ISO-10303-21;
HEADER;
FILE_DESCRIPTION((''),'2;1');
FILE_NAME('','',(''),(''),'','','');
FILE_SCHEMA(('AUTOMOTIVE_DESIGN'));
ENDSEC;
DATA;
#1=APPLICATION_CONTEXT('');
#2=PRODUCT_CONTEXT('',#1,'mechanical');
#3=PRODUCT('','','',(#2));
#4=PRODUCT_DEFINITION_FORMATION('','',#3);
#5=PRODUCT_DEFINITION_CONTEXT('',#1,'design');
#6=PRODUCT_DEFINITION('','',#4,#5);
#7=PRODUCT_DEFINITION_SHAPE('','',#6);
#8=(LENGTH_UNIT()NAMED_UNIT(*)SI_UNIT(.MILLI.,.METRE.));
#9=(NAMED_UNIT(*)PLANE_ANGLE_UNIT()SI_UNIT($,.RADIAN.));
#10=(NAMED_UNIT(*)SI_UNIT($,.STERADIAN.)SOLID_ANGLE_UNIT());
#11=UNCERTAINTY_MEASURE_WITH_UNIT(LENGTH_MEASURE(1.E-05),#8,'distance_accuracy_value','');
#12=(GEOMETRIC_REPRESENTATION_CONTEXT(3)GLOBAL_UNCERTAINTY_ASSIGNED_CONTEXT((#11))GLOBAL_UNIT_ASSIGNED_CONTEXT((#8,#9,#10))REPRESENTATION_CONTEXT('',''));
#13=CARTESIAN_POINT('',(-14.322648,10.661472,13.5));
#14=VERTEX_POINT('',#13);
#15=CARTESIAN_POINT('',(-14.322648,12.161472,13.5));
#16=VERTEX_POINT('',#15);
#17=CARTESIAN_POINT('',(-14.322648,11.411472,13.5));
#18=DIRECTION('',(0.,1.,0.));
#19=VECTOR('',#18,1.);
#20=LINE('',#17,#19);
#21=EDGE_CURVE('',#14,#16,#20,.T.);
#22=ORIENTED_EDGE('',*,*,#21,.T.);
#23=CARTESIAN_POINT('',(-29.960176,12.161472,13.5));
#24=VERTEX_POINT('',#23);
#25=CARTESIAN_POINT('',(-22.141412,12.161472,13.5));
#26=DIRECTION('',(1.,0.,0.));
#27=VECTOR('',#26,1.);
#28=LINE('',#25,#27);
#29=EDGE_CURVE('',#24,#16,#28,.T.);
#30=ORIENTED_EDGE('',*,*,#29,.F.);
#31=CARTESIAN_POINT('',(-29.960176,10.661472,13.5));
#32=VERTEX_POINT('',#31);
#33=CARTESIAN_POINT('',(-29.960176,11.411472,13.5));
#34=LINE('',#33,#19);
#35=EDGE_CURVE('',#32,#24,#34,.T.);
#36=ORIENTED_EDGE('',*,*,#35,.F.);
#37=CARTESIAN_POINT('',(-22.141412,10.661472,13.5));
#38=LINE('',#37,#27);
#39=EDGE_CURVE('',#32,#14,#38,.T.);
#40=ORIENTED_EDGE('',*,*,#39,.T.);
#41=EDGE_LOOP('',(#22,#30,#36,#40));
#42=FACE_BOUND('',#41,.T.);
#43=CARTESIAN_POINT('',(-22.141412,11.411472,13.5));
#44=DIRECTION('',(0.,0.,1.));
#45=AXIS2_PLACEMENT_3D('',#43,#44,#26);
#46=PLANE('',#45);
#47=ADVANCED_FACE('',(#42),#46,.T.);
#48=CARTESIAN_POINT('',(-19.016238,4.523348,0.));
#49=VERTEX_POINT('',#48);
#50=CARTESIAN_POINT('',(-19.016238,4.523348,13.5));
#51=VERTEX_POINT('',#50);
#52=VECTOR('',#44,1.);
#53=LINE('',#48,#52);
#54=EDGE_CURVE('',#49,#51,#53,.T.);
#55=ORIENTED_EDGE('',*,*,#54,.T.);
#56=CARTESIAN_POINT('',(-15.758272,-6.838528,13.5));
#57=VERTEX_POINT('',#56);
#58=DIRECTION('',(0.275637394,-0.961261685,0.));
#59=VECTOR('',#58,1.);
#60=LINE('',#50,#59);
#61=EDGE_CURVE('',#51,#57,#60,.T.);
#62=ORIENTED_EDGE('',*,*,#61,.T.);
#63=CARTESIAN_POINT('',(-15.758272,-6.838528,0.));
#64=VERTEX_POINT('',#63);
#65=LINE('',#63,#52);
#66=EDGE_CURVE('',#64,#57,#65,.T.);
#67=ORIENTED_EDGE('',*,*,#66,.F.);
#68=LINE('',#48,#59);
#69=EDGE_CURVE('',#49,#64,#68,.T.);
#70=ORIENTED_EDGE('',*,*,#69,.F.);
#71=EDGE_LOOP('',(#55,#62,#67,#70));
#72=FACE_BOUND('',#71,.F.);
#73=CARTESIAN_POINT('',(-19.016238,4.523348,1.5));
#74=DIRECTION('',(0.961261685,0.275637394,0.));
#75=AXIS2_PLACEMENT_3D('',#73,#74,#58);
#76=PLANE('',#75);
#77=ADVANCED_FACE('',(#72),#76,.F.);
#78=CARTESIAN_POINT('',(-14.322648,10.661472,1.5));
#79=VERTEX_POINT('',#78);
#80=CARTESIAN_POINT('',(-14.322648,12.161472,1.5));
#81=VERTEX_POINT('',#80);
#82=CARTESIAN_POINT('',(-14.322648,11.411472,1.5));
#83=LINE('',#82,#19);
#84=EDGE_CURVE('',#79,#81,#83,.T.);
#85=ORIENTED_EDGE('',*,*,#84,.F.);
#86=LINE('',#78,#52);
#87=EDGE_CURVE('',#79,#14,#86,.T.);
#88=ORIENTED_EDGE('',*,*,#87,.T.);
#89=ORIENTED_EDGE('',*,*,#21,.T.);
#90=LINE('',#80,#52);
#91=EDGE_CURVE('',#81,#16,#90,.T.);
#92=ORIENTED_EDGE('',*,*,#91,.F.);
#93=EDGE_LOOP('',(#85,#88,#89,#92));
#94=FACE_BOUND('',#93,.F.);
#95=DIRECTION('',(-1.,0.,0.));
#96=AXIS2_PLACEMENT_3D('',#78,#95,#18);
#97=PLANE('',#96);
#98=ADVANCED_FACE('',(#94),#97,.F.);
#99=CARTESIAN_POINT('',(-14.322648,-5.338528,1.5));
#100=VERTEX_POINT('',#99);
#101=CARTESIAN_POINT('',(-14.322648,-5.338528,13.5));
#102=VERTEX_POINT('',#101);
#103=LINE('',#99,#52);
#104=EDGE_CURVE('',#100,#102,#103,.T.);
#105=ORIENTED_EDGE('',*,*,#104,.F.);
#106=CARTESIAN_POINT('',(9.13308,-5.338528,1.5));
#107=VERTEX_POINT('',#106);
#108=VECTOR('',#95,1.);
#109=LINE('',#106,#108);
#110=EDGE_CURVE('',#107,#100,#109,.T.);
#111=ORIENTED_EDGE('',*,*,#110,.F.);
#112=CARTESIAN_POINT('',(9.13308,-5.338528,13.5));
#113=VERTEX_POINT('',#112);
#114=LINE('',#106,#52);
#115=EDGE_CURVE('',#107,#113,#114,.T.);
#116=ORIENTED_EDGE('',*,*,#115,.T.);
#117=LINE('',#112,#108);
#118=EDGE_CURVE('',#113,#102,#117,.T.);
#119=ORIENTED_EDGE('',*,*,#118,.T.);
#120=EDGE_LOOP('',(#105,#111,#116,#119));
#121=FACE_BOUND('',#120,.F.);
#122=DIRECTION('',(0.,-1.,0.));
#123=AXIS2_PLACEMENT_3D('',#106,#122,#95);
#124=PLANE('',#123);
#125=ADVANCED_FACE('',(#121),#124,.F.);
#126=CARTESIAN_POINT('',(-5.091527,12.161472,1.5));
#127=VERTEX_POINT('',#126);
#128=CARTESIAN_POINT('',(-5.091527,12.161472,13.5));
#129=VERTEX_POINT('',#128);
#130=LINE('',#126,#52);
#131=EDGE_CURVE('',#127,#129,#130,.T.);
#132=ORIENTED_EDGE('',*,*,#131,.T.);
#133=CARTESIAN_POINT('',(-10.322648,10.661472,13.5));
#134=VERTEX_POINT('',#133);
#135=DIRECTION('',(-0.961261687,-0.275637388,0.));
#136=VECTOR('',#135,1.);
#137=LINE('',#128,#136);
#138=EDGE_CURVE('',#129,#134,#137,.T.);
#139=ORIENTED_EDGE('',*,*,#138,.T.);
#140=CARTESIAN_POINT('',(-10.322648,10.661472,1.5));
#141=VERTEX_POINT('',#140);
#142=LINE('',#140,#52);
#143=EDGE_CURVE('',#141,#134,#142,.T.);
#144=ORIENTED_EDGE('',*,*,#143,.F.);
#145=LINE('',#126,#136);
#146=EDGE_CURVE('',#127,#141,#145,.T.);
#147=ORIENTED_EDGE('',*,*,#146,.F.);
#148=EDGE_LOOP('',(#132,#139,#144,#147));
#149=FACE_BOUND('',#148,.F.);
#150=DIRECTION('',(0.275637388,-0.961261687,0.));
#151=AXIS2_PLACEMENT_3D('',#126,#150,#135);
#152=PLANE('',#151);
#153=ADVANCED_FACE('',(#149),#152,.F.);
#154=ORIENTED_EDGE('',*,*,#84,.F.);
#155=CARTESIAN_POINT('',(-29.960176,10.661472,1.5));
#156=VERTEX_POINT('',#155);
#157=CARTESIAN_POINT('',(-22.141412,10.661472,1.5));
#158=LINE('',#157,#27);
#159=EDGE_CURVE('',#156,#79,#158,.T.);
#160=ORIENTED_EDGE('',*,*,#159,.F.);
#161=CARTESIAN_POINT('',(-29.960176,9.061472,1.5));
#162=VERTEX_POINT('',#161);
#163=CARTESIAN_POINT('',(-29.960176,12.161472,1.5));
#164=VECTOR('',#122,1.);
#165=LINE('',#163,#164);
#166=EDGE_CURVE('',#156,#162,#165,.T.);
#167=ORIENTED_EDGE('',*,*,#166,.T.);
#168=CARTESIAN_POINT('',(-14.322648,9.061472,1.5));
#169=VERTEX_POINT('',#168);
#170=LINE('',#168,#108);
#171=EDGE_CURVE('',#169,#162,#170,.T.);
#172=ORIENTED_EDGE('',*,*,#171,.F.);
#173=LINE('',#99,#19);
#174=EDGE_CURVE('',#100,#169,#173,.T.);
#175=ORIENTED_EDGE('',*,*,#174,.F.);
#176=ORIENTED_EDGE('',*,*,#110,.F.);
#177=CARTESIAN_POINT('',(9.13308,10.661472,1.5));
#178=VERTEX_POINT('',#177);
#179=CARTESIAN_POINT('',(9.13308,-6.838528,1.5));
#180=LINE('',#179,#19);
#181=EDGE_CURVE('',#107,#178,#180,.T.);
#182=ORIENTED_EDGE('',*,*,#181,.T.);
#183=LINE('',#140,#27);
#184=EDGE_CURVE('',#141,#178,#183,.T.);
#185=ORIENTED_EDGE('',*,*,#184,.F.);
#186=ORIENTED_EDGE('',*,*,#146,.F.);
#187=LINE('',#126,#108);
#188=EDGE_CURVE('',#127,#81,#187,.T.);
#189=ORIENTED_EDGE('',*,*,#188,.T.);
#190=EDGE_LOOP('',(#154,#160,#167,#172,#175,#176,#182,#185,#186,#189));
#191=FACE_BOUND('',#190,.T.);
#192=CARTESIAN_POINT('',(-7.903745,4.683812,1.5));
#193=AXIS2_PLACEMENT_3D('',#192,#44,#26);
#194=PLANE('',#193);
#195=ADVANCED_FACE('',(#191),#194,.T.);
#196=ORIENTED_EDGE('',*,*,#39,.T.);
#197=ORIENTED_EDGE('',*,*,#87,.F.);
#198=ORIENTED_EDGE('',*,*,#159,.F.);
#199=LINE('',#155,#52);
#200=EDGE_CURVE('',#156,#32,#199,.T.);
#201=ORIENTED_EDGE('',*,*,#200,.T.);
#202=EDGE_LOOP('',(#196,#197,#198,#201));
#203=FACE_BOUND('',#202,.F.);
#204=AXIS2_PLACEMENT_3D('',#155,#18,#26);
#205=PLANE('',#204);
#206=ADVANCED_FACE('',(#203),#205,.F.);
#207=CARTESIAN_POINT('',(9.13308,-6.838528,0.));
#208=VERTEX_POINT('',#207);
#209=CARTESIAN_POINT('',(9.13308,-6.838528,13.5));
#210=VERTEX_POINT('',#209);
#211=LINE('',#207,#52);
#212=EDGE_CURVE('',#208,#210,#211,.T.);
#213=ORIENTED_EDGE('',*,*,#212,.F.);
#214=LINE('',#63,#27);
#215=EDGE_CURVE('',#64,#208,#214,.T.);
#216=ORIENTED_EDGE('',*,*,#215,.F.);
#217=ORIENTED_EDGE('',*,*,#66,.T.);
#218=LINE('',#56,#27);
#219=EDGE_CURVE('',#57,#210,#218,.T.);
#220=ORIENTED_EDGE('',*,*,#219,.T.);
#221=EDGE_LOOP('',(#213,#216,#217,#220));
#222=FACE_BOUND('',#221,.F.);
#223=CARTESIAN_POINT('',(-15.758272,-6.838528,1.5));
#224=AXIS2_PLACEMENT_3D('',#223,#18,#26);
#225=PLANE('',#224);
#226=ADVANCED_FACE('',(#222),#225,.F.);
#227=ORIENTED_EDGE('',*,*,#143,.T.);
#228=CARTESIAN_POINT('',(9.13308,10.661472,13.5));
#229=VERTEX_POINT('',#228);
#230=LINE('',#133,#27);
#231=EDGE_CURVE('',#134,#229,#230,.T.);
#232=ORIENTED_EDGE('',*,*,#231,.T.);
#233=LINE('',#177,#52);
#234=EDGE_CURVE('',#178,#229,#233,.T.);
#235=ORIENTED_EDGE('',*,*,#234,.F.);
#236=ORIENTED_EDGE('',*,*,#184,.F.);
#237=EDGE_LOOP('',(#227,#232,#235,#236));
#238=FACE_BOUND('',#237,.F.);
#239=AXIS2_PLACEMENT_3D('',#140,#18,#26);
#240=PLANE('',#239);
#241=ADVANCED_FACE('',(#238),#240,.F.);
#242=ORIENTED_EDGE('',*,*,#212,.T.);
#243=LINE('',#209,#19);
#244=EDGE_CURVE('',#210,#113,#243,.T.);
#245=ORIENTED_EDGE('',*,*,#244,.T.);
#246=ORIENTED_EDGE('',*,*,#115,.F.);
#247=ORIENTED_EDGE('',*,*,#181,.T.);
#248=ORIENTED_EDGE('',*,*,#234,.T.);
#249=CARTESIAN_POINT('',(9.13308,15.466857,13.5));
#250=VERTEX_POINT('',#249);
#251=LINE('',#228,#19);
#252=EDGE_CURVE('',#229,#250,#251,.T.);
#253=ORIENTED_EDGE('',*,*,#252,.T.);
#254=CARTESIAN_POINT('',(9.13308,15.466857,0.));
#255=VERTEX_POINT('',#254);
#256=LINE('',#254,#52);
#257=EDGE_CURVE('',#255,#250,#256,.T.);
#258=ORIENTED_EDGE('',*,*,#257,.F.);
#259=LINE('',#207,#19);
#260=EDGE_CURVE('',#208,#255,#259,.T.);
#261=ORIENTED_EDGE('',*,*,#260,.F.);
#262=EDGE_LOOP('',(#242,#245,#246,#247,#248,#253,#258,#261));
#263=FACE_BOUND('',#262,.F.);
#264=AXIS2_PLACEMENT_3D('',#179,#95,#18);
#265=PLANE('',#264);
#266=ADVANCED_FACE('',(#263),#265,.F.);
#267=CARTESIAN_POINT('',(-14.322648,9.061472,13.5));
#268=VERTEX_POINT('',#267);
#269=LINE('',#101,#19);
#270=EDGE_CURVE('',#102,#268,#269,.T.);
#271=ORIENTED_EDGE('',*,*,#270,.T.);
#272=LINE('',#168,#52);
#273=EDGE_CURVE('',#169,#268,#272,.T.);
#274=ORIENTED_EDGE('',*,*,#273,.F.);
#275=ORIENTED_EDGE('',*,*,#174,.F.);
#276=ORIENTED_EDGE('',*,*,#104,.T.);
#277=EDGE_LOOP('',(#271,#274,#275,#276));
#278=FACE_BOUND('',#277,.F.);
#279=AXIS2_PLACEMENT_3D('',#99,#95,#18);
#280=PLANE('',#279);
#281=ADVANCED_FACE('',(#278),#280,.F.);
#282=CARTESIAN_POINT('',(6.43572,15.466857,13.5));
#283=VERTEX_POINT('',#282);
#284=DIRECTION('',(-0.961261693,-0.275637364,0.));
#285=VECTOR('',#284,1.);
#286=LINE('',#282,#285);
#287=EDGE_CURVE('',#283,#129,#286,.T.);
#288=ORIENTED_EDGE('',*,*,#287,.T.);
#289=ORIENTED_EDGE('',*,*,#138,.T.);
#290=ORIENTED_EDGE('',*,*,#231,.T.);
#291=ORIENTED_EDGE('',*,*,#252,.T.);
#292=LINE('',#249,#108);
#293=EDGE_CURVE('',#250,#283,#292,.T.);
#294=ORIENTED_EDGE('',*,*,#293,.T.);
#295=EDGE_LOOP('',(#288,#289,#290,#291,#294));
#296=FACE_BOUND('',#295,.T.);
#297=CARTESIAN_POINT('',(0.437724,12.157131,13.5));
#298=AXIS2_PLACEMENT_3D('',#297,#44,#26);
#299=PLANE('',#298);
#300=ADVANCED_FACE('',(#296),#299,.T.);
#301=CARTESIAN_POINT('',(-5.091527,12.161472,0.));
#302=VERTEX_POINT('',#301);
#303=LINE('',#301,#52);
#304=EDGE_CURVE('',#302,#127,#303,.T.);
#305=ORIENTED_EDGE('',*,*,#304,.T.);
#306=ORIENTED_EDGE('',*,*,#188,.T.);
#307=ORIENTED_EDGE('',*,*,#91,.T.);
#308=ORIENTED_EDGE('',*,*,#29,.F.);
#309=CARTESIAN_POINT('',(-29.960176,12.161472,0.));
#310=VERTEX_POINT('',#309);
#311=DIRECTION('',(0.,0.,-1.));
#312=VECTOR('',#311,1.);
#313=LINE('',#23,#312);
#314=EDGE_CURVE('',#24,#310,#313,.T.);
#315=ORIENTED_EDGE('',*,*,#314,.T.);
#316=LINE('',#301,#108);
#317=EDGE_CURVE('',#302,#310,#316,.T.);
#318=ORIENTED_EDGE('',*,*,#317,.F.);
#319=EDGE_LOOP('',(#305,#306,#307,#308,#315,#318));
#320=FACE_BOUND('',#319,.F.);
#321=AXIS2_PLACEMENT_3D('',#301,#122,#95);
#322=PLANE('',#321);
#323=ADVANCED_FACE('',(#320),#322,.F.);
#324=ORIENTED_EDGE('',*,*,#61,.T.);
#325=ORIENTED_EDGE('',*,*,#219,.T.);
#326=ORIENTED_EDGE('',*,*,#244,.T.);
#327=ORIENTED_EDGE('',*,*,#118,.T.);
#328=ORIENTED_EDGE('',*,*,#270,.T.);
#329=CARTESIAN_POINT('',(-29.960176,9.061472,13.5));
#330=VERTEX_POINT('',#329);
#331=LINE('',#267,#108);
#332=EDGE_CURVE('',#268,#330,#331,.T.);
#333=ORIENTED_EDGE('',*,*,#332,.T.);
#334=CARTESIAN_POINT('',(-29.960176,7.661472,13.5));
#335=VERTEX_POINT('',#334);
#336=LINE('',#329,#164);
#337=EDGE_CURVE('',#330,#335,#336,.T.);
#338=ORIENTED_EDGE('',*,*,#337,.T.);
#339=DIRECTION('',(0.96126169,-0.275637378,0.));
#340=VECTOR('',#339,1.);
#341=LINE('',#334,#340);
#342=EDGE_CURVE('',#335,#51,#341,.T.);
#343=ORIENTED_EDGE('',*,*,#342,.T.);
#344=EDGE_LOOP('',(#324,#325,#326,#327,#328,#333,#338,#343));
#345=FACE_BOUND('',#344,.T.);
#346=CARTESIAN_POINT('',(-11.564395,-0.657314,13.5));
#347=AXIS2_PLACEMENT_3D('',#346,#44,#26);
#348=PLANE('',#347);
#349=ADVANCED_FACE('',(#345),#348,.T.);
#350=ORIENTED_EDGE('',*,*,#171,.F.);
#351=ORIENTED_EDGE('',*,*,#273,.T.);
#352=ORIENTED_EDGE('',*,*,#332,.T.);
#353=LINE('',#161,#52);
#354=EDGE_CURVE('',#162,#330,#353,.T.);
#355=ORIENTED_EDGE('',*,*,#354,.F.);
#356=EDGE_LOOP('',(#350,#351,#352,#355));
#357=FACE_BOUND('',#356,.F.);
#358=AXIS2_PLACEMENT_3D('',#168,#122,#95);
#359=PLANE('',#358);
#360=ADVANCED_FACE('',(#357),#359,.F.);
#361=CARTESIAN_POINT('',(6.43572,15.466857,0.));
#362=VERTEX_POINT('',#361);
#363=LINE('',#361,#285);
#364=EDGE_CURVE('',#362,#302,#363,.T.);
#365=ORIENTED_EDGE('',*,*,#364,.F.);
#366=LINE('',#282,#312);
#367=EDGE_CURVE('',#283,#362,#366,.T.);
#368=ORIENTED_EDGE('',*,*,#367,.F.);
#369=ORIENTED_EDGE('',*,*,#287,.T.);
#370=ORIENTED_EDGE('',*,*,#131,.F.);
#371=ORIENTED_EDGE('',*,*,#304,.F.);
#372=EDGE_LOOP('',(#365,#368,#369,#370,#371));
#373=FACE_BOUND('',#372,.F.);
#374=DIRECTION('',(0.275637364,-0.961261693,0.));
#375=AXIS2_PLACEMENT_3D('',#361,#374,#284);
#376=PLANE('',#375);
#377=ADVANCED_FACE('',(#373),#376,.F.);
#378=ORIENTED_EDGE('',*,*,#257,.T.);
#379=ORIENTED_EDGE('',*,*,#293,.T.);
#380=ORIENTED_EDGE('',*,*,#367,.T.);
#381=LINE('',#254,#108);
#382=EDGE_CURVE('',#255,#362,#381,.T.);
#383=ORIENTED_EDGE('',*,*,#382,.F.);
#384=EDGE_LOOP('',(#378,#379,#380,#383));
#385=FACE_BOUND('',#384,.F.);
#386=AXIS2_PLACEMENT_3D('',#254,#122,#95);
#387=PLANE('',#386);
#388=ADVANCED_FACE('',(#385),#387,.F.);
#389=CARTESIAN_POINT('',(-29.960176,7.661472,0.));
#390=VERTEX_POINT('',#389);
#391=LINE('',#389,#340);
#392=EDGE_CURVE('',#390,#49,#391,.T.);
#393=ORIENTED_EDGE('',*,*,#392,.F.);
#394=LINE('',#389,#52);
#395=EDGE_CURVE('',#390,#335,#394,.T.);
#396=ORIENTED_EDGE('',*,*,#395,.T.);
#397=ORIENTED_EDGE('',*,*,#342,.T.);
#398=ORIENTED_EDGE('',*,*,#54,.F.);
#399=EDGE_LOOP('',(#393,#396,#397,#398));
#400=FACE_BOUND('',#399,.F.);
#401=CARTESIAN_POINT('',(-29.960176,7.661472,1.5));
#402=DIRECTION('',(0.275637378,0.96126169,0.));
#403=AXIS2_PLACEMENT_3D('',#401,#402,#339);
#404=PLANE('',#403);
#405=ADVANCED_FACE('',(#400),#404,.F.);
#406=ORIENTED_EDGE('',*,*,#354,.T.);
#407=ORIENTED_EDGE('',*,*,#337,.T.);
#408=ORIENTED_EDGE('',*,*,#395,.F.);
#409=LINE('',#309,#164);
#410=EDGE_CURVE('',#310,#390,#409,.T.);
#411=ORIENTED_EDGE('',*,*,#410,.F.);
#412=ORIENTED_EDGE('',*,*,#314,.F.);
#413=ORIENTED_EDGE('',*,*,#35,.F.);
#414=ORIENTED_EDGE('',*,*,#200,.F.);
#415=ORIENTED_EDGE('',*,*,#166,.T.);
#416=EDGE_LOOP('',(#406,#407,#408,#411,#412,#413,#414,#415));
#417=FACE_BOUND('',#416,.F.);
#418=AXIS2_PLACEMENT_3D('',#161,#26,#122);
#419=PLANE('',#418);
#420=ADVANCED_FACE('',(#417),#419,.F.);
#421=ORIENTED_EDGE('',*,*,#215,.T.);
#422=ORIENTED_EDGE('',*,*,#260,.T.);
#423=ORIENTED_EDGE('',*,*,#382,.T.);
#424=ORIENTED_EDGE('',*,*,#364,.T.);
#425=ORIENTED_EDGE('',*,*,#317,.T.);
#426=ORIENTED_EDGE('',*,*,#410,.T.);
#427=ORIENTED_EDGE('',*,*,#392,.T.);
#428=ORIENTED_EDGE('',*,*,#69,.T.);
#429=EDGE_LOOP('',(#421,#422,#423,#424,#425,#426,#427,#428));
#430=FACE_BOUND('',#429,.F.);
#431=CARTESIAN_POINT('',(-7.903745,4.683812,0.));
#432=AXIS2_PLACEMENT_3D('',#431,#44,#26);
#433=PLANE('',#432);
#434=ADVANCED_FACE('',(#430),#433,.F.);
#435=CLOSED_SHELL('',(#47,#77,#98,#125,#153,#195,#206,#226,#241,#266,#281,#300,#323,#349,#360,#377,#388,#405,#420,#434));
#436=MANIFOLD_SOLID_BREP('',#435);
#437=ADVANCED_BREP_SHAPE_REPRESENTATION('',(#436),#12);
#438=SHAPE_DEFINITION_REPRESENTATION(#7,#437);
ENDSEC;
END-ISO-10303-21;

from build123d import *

# Parameters (mm, degrees)
F1_DEPTH = 1.5
F2_W     = 15.637528
F2_H     = 1.5
F3_DEPTH = 12


with BuildPart() as f1:
    # F0 (on Top) → F1 (new body)
    with BuildSketch(Plane.XY):
        Polygon((-5.091527, 12.161472), (-29.960176, 12.161472), (-29.960176, 7.661472), (-19.016238, 4.523348), (-15.758272, -6.838528), (9.13308, -6.838528), (9.13308, 15.466857), (6.43572, 15.466857), align=None)
    extrude(amount=F1_DEPTH)

    # F2 (on face) → F3 (join)
    with BuildSketch(Plane.XY.offset(1.5)):
        Polygon((-29.960176, 9.061472), (-29.960176, 7.661472), (-19.016238, 4.523348), (-15.758272, -6.838528), (9.13308, -6.838528), (9.13308, -5.338528), (-14.322648, -5.338528), (-14.322648, 9.061472), align=None)
        with Locations((-22.141412, 11.411472)):
            Rectangle(F2_W, F2_H)
        Polygon((-10.322648, 10.661472), (9.13308, 10.661472), (9.13308, 15.466857), (6.43572, 15.466857), (-5.091527, 12.161472), align=None)
    extrude(amount=F3_DEPTH)


solid = f1.part
